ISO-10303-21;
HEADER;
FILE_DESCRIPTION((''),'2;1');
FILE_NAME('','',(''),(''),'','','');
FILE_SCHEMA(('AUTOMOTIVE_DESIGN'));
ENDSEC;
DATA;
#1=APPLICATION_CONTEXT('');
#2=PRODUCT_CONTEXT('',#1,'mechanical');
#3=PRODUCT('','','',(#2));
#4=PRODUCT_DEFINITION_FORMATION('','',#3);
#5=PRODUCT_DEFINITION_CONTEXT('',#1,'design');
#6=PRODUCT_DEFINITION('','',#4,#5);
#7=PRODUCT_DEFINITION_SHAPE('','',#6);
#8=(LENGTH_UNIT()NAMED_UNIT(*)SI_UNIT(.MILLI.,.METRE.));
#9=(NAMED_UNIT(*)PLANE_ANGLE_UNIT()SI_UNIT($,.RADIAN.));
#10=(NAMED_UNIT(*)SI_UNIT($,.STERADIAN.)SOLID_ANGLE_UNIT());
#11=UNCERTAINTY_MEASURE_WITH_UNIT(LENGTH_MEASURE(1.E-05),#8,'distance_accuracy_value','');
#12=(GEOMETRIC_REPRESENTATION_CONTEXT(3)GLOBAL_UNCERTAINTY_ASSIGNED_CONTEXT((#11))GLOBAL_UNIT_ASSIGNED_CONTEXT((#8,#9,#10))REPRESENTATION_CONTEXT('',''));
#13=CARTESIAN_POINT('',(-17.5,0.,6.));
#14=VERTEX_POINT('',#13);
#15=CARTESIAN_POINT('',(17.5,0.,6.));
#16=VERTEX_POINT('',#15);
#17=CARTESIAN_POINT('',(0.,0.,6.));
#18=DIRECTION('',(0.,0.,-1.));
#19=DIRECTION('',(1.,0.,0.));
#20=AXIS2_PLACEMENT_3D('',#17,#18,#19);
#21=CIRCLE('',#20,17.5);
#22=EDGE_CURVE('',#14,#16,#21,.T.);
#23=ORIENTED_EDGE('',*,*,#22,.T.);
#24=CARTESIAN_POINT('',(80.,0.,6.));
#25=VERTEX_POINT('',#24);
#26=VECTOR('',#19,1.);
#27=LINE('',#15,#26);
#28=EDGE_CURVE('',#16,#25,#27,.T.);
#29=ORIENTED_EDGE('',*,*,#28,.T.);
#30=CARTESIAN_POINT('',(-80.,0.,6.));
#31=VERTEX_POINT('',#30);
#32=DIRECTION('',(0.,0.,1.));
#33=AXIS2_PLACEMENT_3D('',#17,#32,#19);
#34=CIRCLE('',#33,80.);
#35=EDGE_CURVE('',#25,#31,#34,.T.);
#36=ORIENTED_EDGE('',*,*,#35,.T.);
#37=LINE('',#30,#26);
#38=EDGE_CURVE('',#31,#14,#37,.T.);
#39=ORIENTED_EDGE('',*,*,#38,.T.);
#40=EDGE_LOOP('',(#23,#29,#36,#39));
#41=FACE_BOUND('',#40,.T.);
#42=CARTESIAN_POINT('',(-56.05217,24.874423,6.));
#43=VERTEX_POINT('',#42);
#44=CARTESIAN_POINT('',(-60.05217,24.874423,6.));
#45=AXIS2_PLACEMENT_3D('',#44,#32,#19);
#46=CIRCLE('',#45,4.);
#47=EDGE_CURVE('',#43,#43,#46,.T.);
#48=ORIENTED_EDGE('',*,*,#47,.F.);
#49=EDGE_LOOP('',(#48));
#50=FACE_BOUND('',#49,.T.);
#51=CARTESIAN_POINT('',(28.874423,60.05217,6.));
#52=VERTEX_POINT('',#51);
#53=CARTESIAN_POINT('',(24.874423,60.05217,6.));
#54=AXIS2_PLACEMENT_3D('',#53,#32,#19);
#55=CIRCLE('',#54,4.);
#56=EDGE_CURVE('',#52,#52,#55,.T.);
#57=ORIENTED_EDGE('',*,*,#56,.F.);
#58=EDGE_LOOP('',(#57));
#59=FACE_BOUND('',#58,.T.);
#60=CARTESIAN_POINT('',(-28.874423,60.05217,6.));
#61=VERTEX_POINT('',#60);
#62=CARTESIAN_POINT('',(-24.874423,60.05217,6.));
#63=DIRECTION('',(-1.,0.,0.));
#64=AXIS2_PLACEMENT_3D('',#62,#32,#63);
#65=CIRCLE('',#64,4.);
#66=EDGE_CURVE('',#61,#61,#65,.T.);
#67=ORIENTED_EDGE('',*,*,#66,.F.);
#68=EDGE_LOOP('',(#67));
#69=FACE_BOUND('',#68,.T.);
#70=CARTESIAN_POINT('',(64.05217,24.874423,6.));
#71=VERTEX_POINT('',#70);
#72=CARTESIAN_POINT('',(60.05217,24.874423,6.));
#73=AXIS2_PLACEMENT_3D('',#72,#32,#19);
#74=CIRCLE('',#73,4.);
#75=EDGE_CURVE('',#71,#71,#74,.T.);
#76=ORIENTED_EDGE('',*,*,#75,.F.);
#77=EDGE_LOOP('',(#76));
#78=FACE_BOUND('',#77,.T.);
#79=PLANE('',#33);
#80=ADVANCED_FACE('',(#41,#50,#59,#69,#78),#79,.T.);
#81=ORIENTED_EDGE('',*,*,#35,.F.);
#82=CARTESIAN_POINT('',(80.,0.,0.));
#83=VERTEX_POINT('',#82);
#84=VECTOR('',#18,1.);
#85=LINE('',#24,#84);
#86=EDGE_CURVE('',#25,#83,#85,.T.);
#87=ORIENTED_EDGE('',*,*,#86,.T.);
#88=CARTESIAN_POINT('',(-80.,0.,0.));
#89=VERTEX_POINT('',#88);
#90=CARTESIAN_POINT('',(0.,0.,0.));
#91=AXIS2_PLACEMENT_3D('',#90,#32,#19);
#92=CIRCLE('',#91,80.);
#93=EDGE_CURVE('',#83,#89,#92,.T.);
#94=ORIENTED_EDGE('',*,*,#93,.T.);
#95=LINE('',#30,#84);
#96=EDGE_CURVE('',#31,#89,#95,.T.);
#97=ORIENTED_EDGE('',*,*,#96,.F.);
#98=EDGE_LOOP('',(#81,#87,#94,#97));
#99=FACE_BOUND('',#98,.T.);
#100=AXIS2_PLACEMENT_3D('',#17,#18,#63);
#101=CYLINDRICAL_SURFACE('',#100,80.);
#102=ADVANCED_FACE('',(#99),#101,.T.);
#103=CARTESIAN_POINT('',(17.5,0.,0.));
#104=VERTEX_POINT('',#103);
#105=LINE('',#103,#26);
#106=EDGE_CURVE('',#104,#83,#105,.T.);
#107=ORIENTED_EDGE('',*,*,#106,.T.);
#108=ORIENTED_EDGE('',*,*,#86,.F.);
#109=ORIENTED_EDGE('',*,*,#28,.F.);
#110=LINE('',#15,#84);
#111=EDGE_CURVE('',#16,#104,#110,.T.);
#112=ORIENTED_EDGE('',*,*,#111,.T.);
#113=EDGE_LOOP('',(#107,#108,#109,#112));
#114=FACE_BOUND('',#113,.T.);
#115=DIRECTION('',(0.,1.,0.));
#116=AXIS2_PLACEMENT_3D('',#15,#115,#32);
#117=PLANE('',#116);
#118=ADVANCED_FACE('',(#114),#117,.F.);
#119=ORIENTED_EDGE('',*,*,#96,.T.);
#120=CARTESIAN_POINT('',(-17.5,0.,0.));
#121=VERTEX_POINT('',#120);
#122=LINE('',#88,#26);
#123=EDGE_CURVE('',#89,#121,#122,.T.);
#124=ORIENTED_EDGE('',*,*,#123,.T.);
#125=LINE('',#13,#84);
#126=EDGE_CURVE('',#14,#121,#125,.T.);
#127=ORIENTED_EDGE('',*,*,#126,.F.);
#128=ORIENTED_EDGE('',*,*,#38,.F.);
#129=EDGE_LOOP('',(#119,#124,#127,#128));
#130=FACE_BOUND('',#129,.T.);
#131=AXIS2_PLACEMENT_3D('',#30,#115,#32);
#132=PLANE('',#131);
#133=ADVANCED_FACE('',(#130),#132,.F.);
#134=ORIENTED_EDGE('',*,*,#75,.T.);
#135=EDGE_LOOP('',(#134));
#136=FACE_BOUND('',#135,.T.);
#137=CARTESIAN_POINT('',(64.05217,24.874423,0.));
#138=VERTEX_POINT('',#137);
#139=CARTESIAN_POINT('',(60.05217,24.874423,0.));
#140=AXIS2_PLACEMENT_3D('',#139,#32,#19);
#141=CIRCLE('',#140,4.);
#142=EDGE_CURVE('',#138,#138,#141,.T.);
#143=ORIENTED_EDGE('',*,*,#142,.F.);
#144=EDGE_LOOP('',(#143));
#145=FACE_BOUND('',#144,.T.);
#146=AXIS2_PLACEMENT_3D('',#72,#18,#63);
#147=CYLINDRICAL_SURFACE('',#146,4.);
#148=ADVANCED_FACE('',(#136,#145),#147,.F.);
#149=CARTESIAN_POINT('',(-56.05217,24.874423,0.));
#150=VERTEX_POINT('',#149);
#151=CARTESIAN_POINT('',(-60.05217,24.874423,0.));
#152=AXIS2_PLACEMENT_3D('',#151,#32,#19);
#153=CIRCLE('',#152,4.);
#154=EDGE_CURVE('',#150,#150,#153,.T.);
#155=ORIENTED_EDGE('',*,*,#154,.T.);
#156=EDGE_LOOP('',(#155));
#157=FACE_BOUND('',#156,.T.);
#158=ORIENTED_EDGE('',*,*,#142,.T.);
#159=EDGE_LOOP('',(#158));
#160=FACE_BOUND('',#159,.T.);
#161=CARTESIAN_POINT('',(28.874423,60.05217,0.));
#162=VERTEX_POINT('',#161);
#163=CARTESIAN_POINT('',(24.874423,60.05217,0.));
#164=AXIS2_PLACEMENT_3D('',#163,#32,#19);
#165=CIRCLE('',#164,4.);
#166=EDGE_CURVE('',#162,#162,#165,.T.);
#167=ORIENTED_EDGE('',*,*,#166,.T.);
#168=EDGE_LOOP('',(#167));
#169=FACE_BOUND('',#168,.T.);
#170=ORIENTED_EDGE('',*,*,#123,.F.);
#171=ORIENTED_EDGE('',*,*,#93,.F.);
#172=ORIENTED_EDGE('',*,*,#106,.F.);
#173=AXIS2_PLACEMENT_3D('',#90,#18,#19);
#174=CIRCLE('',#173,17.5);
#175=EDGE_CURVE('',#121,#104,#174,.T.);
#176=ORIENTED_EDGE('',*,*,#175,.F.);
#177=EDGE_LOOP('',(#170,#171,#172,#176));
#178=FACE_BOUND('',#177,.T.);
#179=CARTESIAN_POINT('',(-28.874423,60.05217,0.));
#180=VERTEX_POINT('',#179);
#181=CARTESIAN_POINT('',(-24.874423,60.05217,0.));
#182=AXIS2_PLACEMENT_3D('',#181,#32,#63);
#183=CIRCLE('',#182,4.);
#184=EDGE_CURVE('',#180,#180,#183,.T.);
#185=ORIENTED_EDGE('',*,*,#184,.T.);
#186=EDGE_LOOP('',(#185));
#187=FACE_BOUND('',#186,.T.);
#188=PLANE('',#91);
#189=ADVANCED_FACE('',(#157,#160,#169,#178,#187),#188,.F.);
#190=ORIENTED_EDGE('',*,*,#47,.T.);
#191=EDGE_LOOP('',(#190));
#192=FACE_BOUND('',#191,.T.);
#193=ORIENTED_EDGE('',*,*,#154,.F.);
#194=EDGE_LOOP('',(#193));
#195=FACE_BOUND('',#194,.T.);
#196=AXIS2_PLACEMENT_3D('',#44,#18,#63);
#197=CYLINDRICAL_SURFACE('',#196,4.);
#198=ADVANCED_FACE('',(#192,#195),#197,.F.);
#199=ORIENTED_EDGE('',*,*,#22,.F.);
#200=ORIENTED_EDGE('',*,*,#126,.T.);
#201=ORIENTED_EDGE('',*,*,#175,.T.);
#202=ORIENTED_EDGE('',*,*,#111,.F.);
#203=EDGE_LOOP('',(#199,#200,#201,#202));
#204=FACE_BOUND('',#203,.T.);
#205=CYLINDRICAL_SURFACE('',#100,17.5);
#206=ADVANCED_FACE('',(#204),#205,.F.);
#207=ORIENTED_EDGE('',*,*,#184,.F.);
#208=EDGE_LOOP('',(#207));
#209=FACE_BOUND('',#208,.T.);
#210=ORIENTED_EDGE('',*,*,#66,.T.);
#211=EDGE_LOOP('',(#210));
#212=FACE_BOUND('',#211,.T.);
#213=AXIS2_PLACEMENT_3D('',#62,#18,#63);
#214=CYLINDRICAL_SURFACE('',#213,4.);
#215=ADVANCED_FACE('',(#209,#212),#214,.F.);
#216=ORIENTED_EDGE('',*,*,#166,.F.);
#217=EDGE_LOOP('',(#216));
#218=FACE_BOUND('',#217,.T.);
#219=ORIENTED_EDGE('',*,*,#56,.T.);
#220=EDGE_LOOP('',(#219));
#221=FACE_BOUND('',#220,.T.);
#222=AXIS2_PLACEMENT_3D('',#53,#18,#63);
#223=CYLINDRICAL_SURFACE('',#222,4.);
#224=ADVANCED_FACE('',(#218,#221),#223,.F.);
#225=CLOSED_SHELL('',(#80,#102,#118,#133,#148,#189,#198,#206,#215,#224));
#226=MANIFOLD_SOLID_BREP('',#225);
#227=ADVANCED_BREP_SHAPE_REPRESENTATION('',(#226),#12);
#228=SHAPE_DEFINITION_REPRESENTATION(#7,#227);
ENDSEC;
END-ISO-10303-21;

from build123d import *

# Parameters (mm, degrees)
SKETCH1_R           = 4
BOSS_EXTRUDE1_DEPTH = 6


with BuildPart() as part:
    # Sketch1 → Boss-Extrude1 (new body)
    with BuildSketch(Plane.XY):
        with BuildLine():
            Line((-80, 0), (-17.5, 0))
            ThreePointArc((-17.5, 0), (0, 17.5), (17.5, 0))
            Line((17.5, 0), (80, 0))
            ThreePointArc((80, 0), (0, 80), (-80, 0))
        make_face()
        with Locations((24.874423104, 60.052169613)):
            Circle(SKETCH1_R, mode=Mode.SUBTRACT)
        with Locations((60.052169613, 24.874423104)):
            Circle(SKETCH1_R, mode=Mode.SUBTRACT)
        with Locations((-60.052169613, 24.874423104)):
            Circle(SKETCH1_R, mode=Mode.SUBTRACT)
        with Locations(Location((-24.874423104, 60.052169613, 0), (0, 0, 180))):
            Circle(SKETCH1_R, mode=Mode.SUBTRACT)
    extrude(amount=BOSS_EXTRUDE1_DEPTH)


solid = part.part
